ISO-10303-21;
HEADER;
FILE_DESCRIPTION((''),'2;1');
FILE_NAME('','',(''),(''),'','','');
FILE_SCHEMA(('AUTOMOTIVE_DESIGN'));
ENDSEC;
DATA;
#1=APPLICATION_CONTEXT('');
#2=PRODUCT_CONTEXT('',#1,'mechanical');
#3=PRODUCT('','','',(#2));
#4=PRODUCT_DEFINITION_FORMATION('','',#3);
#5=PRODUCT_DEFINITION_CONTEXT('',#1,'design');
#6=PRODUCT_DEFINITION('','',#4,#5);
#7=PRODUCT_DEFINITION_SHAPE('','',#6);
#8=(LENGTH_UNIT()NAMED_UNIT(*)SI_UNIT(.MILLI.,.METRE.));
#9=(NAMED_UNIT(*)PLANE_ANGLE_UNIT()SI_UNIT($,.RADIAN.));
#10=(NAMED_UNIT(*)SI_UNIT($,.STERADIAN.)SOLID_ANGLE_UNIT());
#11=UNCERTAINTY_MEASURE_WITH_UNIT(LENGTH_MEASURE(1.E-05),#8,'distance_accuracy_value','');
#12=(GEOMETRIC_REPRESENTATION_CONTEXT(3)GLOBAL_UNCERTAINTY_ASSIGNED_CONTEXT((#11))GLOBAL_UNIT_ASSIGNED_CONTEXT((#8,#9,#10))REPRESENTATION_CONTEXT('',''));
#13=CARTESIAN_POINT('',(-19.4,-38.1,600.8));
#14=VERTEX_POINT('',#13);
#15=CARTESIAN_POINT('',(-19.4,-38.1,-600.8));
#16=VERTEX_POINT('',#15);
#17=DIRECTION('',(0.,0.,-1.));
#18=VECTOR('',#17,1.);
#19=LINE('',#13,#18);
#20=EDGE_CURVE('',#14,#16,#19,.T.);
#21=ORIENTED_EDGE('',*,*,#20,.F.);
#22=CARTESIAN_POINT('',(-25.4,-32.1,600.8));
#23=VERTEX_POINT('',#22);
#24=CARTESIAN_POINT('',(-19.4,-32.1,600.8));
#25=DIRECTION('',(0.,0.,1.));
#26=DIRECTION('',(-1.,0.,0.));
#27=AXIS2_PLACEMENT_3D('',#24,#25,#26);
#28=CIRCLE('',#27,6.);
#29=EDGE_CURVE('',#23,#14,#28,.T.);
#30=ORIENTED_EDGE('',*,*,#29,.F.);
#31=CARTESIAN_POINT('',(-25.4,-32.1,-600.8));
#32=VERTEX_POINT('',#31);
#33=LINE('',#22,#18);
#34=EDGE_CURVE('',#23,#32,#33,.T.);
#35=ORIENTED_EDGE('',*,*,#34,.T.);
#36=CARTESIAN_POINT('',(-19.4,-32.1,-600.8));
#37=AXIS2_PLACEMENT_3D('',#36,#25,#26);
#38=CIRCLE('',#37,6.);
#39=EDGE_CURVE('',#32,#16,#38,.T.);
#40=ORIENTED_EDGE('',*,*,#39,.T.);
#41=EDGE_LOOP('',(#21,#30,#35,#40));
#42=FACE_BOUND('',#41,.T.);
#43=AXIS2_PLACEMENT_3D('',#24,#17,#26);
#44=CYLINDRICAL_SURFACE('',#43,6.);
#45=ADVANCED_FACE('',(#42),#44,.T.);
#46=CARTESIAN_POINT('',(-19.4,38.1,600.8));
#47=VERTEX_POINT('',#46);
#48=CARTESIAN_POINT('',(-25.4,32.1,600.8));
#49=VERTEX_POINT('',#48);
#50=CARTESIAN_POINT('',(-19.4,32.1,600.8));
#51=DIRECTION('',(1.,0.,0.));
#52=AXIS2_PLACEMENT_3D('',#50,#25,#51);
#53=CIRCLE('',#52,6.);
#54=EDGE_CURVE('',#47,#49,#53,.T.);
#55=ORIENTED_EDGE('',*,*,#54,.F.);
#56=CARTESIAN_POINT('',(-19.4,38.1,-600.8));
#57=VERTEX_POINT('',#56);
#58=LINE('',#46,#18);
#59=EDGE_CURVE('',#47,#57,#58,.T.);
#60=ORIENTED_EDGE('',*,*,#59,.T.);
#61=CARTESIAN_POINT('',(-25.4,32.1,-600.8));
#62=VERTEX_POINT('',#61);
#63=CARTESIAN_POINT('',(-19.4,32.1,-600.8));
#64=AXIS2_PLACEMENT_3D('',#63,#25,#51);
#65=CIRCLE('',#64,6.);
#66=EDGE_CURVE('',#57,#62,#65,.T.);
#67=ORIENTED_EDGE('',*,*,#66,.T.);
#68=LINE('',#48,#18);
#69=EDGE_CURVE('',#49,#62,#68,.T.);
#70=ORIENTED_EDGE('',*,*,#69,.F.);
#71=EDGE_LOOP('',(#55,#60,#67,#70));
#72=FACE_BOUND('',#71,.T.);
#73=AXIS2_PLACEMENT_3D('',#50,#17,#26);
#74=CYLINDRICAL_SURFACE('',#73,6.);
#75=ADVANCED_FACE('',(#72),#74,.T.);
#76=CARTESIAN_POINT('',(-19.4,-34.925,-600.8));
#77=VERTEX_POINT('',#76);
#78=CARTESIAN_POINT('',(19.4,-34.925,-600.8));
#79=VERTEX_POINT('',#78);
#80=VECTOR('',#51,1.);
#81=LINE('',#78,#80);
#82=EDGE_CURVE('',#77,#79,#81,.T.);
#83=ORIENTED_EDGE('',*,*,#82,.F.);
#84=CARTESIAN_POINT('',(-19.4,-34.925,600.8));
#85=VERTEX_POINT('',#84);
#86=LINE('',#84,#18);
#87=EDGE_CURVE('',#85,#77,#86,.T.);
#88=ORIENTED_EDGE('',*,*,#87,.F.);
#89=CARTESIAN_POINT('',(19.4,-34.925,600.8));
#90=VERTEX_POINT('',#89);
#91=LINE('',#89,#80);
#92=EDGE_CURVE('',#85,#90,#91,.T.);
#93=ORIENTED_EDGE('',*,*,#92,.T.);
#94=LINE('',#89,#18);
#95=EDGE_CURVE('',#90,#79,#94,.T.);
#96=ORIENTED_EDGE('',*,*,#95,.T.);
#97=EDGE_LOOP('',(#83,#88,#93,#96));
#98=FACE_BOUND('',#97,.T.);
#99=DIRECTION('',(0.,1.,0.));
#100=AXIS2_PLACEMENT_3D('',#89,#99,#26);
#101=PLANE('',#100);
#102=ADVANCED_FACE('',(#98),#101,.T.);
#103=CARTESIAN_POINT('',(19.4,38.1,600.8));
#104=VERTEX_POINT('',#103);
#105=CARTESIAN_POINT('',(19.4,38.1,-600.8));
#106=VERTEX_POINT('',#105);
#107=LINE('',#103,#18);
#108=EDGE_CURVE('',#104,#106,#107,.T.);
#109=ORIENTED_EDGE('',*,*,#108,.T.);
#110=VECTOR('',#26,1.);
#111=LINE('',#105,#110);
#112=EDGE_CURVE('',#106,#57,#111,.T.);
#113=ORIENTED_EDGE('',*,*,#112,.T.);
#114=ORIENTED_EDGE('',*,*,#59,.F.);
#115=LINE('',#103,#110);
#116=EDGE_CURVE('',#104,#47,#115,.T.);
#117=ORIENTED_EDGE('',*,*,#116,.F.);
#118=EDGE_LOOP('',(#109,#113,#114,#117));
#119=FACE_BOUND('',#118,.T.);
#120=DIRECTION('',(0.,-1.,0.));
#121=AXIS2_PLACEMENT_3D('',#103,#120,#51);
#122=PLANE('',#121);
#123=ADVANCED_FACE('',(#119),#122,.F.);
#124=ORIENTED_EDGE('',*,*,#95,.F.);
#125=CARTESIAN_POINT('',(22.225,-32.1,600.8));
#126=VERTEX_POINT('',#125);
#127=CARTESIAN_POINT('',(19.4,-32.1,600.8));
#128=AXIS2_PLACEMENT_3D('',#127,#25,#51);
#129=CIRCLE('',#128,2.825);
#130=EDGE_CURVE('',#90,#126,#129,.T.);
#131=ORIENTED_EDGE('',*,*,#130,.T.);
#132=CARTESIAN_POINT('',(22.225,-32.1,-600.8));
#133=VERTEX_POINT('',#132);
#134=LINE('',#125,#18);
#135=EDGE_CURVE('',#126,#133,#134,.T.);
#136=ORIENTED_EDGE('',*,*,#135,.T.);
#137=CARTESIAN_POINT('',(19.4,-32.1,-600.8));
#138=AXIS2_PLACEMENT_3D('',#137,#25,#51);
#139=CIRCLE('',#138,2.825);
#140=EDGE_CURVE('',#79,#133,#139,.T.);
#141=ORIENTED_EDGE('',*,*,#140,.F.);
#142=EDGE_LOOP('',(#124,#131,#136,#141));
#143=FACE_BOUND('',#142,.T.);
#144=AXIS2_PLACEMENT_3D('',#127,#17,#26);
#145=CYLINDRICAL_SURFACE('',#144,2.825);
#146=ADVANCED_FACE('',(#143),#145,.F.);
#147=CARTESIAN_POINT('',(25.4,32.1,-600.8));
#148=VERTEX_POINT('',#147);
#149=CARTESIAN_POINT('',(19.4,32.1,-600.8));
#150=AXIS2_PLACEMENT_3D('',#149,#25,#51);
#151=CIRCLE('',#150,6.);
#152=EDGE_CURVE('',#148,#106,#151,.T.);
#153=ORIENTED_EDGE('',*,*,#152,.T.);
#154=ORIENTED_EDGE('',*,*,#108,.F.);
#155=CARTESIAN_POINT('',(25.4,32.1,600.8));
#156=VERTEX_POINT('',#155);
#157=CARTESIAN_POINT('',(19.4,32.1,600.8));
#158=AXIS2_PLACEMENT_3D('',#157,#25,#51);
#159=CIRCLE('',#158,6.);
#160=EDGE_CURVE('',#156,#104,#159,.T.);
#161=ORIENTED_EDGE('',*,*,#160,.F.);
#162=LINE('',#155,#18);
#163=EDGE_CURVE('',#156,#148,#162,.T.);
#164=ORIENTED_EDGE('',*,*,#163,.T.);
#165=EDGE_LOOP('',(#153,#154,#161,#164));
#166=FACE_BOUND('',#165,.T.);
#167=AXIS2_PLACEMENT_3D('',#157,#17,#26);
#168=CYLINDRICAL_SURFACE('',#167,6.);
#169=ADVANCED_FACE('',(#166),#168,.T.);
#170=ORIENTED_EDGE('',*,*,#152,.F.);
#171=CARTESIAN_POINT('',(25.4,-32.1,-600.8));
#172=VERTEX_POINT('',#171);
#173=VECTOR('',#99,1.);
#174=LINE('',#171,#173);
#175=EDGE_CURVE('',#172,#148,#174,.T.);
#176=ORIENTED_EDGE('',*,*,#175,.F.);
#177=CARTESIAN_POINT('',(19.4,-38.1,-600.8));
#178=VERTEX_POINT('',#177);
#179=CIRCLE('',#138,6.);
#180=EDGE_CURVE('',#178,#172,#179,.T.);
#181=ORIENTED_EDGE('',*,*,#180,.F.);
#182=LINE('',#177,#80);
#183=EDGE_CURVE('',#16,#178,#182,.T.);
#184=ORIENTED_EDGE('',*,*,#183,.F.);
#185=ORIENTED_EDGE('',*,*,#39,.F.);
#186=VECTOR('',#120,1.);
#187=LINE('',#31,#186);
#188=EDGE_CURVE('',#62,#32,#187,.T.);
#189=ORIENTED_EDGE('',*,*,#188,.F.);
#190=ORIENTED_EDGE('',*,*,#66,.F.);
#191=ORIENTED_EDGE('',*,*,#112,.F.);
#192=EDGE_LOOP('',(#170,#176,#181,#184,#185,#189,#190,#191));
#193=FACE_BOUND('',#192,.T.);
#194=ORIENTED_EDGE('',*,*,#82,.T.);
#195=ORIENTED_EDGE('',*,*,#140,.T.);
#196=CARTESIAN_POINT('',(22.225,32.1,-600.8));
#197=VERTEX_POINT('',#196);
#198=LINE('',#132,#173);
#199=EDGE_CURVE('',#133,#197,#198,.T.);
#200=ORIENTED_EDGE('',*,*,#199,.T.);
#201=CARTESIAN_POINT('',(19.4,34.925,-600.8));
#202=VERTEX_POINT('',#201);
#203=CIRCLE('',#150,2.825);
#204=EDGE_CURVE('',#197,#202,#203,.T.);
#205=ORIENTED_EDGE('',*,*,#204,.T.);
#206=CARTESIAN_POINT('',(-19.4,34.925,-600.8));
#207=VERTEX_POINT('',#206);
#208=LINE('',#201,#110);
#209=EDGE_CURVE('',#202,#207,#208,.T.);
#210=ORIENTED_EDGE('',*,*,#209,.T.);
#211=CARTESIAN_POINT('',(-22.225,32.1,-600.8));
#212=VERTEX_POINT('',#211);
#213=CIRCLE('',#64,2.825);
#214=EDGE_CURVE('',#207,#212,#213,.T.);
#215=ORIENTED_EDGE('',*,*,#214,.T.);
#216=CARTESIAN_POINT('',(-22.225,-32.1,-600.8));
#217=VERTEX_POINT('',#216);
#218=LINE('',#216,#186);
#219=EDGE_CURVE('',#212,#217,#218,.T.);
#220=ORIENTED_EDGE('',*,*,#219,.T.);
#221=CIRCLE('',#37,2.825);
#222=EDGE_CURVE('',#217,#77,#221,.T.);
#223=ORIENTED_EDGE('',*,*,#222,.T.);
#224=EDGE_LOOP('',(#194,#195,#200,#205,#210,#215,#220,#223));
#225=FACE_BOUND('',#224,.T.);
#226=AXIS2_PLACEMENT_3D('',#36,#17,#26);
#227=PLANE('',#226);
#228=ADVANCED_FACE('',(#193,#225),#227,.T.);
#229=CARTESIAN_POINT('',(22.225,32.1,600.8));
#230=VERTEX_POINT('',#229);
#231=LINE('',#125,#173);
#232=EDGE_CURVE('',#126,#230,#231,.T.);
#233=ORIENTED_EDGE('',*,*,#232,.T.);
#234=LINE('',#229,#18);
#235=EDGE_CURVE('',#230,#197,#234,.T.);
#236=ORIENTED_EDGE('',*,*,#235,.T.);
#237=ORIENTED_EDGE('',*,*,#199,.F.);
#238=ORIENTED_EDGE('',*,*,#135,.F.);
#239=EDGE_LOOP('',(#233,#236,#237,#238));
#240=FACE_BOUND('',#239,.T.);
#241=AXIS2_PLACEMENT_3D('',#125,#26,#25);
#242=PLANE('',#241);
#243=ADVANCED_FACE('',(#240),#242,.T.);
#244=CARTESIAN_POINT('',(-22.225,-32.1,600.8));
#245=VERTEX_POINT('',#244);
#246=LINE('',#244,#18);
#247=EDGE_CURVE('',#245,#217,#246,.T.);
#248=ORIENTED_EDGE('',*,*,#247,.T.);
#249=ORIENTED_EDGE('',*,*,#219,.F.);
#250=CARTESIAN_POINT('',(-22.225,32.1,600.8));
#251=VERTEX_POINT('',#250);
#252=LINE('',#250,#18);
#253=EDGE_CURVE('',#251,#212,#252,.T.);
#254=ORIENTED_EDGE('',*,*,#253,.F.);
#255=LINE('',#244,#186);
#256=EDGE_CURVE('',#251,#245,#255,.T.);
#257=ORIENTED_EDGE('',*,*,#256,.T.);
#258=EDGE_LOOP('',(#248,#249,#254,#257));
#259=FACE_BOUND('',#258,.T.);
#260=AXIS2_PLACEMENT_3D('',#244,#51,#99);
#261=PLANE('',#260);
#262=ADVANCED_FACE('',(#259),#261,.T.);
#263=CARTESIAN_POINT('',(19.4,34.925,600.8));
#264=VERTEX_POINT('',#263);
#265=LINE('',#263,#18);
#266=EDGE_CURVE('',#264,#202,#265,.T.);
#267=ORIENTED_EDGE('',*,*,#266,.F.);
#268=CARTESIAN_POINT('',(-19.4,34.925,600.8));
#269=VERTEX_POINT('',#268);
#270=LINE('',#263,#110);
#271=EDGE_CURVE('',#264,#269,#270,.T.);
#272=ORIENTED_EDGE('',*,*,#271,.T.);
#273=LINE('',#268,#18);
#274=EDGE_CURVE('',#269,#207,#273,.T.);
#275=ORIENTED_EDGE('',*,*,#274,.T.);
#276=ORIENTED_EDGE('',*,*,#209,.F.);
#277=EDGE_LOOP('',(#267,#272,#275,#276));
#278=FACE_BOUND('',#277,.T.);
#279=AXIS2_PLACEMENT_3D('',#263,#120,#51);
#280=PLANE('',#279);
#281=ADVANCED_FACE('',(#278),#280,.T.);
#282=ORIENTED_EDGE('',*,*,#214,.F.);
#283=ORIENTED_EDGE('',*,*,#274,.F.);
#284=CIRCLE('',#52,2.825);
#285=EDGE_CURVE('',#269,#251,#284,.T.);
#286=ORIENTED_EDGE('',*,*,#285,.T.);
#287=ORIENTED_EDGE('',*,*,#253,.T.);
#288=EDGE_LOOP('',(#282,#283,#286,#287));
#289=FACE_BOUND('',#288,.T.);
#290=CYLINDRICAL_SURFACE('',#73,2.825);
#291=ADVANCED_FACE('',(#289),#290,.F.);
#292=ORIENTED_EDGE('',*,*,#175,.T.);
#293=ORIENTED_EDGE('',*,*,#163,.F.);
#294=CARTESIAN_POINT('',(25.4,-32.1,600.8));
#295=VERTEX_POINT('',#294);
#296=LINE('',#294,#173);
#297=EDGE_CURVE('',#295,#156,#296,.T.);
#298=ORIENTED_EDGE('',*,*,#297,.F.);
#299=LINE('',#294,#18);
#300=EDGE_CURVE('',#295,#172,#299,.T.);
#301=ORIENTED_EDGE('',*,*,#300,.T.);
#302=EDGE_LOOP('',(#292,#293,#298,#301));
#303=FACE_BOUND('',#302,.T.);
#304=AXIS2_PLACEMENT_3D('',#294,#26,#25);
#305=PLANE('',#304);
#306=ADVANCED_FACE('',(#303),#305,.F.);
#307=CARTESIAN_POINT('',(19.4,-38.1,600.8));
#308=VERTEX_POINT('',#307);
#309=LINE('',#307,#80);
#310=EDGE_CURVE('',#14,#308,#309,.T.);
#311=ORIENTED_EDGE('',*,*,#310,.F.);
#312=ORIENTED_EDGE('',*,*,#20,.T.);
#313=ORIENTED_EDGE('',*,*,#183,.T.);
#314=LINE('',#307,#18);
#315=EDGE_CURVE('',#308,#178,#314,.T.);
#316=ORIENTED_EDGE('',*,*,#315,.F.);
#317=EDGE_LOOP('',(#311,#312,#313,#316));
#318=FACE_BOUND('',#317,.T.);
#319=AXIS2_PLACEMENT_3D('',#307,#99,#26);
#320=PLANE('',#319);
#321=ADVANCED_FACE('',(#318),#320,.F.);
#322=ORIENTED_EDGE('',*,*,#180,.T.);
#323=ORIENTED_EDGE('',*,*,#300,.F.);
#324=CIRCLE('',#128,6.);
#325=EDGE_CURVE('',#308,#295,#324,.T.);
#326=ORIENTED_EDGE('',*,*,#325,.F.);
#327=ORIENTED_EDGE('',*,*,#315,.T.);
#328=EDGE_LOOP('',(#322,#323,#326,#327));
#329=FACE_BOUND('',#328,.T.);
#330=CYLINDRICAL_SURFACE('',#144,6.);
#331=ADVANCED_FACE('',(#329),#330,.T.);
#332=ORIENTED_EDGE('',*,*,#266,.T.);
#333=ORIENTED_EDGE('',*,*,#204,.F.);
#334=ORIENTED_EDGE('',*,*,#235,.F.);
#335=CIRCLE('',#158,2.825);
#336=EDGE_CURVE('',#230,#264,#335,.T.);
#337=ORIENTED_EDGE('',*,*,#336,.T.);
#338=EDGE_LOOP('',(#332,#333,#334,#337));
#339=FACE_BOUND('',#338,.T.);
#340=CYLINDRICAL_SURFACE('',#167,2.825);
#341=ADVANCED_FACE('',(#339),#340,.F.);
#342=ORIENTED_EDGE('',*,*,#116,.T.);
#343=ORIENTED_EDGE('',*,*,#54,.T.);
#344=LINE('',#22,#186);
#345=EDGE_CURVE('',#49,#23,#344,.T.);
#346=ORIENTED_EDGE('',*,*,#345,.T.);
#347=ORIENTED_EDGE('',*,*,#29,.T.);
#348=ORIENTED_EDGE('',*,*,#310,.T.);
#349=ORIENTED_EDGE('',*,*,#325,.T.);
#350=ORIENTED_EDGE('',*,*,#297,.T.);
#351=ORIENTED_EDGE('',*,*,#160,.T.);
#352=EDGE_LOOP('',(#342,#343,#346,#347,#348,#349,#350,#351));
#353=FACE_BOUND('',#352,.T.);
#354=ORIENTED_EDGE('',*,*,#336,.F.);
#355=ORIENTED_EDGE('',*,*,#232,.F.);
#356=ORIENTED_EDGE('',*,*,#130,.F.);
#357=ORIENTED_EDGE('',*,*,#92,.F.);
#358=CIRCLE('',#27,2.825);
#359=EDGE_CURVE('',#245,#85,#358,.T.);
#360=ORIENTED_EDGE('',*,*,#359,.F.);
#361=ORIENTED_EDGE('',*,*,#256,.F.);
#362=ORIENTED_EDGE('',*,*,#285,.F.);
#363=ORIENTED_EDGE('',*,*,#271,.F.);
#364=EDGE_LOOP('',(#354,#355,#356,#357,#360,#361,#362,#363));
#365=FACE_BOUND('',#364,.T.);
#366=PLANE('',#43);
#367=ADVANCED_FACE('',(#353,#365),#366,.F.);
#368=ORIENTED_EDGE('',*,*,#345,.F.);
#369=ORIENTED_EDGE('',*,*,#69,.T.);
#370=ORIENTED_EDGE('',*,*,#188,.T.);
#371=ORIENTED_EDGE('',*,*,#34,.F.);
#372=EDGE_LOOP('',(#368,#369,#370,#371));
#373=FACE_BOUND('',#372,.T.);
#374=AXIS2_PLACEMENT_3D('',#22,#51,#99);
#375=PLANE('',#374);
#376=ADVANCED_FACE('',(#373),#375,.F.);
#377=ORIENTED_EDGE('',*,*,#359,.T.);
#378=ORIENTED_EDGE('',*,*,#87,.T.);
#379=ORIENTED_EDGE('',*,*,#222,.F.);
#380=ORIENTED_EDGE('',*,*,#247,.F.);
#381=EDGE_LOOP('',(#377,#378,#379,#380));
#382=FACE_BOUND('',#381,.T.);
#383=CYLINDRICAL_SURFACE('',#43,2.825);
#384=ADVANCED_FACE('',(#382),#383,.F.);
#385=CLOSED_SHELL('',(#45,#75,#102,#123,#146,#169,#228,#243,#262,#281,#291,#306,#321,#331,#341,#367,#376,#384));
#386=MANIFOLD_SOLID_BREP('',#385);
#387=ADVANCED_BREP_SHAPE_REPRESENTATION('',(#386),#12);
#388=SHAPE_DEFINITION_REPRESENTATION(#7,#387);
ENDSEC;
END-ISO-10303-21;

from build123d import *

# Parameters (mm, degrees)
BOSS_EXTRUDE1_DEPTH = 600.8


with BuildPart() as part:
    # Sketch1 → Boss-Extrude1 (new, symmetric)
    with BuildSketch(Plane.XY):
        with BuildLine():
            Line((19.4, -38.1), (-19.4, -38.1))
            ThreePointArc((-19.4, -38.1), (-23.642640687, -36.342640687), (-25.4, -32.1))
            Line((-25.4, -32.1), (-25.4, 32.1))
            ThreePointArc((-25.4, 32.1), (-23.642640687, 36.342640687), (-19.4, 38.1))
            Line((-19.4, 38.1), (19.4, 38.1))
            ThreePointArc((19.4, 38.1), (23.642640687, 36.342640687), (25.4, 32.1))
            Line((25.4, 32.1), (25.4, -32.1))
            ThreePointArc((25.4, -32.1), (23.642640687, -36.342640687), (19.4, -38.1))
        make_face()
        with BuildLine():
            Line((19.4, 34.925), (-19.4, 34.925))
            ThreePointArc((-19.4, 34.925), (-21.397576657, 34.097576657), (-22.225, 32.1))
            Line((-22.225, 32.1), (-22.225, -32.1))
            ThreePointArc((-22.225, -32.1), (-21.397576657, -34.097576657), (-19.4, -34.925))
            Line((-19.4, -34.925), (19.4, -34.925))
            ThreePointArc((19.4, -34.925), (21.397576657, -34.097576657), (22.225, -32.1))
            Line((22.225, -32.1), (22.225, 32.1))
            ThreePointArc((22.225, 32.1), (21.397576657, 34.097576657), (19.4, 34.925))
        make_face(mode=Mode.SUBTRACT)
    extrude(amount=BOSS_EXTRUDE1_DEPTH, both=True)


solid = part.part
